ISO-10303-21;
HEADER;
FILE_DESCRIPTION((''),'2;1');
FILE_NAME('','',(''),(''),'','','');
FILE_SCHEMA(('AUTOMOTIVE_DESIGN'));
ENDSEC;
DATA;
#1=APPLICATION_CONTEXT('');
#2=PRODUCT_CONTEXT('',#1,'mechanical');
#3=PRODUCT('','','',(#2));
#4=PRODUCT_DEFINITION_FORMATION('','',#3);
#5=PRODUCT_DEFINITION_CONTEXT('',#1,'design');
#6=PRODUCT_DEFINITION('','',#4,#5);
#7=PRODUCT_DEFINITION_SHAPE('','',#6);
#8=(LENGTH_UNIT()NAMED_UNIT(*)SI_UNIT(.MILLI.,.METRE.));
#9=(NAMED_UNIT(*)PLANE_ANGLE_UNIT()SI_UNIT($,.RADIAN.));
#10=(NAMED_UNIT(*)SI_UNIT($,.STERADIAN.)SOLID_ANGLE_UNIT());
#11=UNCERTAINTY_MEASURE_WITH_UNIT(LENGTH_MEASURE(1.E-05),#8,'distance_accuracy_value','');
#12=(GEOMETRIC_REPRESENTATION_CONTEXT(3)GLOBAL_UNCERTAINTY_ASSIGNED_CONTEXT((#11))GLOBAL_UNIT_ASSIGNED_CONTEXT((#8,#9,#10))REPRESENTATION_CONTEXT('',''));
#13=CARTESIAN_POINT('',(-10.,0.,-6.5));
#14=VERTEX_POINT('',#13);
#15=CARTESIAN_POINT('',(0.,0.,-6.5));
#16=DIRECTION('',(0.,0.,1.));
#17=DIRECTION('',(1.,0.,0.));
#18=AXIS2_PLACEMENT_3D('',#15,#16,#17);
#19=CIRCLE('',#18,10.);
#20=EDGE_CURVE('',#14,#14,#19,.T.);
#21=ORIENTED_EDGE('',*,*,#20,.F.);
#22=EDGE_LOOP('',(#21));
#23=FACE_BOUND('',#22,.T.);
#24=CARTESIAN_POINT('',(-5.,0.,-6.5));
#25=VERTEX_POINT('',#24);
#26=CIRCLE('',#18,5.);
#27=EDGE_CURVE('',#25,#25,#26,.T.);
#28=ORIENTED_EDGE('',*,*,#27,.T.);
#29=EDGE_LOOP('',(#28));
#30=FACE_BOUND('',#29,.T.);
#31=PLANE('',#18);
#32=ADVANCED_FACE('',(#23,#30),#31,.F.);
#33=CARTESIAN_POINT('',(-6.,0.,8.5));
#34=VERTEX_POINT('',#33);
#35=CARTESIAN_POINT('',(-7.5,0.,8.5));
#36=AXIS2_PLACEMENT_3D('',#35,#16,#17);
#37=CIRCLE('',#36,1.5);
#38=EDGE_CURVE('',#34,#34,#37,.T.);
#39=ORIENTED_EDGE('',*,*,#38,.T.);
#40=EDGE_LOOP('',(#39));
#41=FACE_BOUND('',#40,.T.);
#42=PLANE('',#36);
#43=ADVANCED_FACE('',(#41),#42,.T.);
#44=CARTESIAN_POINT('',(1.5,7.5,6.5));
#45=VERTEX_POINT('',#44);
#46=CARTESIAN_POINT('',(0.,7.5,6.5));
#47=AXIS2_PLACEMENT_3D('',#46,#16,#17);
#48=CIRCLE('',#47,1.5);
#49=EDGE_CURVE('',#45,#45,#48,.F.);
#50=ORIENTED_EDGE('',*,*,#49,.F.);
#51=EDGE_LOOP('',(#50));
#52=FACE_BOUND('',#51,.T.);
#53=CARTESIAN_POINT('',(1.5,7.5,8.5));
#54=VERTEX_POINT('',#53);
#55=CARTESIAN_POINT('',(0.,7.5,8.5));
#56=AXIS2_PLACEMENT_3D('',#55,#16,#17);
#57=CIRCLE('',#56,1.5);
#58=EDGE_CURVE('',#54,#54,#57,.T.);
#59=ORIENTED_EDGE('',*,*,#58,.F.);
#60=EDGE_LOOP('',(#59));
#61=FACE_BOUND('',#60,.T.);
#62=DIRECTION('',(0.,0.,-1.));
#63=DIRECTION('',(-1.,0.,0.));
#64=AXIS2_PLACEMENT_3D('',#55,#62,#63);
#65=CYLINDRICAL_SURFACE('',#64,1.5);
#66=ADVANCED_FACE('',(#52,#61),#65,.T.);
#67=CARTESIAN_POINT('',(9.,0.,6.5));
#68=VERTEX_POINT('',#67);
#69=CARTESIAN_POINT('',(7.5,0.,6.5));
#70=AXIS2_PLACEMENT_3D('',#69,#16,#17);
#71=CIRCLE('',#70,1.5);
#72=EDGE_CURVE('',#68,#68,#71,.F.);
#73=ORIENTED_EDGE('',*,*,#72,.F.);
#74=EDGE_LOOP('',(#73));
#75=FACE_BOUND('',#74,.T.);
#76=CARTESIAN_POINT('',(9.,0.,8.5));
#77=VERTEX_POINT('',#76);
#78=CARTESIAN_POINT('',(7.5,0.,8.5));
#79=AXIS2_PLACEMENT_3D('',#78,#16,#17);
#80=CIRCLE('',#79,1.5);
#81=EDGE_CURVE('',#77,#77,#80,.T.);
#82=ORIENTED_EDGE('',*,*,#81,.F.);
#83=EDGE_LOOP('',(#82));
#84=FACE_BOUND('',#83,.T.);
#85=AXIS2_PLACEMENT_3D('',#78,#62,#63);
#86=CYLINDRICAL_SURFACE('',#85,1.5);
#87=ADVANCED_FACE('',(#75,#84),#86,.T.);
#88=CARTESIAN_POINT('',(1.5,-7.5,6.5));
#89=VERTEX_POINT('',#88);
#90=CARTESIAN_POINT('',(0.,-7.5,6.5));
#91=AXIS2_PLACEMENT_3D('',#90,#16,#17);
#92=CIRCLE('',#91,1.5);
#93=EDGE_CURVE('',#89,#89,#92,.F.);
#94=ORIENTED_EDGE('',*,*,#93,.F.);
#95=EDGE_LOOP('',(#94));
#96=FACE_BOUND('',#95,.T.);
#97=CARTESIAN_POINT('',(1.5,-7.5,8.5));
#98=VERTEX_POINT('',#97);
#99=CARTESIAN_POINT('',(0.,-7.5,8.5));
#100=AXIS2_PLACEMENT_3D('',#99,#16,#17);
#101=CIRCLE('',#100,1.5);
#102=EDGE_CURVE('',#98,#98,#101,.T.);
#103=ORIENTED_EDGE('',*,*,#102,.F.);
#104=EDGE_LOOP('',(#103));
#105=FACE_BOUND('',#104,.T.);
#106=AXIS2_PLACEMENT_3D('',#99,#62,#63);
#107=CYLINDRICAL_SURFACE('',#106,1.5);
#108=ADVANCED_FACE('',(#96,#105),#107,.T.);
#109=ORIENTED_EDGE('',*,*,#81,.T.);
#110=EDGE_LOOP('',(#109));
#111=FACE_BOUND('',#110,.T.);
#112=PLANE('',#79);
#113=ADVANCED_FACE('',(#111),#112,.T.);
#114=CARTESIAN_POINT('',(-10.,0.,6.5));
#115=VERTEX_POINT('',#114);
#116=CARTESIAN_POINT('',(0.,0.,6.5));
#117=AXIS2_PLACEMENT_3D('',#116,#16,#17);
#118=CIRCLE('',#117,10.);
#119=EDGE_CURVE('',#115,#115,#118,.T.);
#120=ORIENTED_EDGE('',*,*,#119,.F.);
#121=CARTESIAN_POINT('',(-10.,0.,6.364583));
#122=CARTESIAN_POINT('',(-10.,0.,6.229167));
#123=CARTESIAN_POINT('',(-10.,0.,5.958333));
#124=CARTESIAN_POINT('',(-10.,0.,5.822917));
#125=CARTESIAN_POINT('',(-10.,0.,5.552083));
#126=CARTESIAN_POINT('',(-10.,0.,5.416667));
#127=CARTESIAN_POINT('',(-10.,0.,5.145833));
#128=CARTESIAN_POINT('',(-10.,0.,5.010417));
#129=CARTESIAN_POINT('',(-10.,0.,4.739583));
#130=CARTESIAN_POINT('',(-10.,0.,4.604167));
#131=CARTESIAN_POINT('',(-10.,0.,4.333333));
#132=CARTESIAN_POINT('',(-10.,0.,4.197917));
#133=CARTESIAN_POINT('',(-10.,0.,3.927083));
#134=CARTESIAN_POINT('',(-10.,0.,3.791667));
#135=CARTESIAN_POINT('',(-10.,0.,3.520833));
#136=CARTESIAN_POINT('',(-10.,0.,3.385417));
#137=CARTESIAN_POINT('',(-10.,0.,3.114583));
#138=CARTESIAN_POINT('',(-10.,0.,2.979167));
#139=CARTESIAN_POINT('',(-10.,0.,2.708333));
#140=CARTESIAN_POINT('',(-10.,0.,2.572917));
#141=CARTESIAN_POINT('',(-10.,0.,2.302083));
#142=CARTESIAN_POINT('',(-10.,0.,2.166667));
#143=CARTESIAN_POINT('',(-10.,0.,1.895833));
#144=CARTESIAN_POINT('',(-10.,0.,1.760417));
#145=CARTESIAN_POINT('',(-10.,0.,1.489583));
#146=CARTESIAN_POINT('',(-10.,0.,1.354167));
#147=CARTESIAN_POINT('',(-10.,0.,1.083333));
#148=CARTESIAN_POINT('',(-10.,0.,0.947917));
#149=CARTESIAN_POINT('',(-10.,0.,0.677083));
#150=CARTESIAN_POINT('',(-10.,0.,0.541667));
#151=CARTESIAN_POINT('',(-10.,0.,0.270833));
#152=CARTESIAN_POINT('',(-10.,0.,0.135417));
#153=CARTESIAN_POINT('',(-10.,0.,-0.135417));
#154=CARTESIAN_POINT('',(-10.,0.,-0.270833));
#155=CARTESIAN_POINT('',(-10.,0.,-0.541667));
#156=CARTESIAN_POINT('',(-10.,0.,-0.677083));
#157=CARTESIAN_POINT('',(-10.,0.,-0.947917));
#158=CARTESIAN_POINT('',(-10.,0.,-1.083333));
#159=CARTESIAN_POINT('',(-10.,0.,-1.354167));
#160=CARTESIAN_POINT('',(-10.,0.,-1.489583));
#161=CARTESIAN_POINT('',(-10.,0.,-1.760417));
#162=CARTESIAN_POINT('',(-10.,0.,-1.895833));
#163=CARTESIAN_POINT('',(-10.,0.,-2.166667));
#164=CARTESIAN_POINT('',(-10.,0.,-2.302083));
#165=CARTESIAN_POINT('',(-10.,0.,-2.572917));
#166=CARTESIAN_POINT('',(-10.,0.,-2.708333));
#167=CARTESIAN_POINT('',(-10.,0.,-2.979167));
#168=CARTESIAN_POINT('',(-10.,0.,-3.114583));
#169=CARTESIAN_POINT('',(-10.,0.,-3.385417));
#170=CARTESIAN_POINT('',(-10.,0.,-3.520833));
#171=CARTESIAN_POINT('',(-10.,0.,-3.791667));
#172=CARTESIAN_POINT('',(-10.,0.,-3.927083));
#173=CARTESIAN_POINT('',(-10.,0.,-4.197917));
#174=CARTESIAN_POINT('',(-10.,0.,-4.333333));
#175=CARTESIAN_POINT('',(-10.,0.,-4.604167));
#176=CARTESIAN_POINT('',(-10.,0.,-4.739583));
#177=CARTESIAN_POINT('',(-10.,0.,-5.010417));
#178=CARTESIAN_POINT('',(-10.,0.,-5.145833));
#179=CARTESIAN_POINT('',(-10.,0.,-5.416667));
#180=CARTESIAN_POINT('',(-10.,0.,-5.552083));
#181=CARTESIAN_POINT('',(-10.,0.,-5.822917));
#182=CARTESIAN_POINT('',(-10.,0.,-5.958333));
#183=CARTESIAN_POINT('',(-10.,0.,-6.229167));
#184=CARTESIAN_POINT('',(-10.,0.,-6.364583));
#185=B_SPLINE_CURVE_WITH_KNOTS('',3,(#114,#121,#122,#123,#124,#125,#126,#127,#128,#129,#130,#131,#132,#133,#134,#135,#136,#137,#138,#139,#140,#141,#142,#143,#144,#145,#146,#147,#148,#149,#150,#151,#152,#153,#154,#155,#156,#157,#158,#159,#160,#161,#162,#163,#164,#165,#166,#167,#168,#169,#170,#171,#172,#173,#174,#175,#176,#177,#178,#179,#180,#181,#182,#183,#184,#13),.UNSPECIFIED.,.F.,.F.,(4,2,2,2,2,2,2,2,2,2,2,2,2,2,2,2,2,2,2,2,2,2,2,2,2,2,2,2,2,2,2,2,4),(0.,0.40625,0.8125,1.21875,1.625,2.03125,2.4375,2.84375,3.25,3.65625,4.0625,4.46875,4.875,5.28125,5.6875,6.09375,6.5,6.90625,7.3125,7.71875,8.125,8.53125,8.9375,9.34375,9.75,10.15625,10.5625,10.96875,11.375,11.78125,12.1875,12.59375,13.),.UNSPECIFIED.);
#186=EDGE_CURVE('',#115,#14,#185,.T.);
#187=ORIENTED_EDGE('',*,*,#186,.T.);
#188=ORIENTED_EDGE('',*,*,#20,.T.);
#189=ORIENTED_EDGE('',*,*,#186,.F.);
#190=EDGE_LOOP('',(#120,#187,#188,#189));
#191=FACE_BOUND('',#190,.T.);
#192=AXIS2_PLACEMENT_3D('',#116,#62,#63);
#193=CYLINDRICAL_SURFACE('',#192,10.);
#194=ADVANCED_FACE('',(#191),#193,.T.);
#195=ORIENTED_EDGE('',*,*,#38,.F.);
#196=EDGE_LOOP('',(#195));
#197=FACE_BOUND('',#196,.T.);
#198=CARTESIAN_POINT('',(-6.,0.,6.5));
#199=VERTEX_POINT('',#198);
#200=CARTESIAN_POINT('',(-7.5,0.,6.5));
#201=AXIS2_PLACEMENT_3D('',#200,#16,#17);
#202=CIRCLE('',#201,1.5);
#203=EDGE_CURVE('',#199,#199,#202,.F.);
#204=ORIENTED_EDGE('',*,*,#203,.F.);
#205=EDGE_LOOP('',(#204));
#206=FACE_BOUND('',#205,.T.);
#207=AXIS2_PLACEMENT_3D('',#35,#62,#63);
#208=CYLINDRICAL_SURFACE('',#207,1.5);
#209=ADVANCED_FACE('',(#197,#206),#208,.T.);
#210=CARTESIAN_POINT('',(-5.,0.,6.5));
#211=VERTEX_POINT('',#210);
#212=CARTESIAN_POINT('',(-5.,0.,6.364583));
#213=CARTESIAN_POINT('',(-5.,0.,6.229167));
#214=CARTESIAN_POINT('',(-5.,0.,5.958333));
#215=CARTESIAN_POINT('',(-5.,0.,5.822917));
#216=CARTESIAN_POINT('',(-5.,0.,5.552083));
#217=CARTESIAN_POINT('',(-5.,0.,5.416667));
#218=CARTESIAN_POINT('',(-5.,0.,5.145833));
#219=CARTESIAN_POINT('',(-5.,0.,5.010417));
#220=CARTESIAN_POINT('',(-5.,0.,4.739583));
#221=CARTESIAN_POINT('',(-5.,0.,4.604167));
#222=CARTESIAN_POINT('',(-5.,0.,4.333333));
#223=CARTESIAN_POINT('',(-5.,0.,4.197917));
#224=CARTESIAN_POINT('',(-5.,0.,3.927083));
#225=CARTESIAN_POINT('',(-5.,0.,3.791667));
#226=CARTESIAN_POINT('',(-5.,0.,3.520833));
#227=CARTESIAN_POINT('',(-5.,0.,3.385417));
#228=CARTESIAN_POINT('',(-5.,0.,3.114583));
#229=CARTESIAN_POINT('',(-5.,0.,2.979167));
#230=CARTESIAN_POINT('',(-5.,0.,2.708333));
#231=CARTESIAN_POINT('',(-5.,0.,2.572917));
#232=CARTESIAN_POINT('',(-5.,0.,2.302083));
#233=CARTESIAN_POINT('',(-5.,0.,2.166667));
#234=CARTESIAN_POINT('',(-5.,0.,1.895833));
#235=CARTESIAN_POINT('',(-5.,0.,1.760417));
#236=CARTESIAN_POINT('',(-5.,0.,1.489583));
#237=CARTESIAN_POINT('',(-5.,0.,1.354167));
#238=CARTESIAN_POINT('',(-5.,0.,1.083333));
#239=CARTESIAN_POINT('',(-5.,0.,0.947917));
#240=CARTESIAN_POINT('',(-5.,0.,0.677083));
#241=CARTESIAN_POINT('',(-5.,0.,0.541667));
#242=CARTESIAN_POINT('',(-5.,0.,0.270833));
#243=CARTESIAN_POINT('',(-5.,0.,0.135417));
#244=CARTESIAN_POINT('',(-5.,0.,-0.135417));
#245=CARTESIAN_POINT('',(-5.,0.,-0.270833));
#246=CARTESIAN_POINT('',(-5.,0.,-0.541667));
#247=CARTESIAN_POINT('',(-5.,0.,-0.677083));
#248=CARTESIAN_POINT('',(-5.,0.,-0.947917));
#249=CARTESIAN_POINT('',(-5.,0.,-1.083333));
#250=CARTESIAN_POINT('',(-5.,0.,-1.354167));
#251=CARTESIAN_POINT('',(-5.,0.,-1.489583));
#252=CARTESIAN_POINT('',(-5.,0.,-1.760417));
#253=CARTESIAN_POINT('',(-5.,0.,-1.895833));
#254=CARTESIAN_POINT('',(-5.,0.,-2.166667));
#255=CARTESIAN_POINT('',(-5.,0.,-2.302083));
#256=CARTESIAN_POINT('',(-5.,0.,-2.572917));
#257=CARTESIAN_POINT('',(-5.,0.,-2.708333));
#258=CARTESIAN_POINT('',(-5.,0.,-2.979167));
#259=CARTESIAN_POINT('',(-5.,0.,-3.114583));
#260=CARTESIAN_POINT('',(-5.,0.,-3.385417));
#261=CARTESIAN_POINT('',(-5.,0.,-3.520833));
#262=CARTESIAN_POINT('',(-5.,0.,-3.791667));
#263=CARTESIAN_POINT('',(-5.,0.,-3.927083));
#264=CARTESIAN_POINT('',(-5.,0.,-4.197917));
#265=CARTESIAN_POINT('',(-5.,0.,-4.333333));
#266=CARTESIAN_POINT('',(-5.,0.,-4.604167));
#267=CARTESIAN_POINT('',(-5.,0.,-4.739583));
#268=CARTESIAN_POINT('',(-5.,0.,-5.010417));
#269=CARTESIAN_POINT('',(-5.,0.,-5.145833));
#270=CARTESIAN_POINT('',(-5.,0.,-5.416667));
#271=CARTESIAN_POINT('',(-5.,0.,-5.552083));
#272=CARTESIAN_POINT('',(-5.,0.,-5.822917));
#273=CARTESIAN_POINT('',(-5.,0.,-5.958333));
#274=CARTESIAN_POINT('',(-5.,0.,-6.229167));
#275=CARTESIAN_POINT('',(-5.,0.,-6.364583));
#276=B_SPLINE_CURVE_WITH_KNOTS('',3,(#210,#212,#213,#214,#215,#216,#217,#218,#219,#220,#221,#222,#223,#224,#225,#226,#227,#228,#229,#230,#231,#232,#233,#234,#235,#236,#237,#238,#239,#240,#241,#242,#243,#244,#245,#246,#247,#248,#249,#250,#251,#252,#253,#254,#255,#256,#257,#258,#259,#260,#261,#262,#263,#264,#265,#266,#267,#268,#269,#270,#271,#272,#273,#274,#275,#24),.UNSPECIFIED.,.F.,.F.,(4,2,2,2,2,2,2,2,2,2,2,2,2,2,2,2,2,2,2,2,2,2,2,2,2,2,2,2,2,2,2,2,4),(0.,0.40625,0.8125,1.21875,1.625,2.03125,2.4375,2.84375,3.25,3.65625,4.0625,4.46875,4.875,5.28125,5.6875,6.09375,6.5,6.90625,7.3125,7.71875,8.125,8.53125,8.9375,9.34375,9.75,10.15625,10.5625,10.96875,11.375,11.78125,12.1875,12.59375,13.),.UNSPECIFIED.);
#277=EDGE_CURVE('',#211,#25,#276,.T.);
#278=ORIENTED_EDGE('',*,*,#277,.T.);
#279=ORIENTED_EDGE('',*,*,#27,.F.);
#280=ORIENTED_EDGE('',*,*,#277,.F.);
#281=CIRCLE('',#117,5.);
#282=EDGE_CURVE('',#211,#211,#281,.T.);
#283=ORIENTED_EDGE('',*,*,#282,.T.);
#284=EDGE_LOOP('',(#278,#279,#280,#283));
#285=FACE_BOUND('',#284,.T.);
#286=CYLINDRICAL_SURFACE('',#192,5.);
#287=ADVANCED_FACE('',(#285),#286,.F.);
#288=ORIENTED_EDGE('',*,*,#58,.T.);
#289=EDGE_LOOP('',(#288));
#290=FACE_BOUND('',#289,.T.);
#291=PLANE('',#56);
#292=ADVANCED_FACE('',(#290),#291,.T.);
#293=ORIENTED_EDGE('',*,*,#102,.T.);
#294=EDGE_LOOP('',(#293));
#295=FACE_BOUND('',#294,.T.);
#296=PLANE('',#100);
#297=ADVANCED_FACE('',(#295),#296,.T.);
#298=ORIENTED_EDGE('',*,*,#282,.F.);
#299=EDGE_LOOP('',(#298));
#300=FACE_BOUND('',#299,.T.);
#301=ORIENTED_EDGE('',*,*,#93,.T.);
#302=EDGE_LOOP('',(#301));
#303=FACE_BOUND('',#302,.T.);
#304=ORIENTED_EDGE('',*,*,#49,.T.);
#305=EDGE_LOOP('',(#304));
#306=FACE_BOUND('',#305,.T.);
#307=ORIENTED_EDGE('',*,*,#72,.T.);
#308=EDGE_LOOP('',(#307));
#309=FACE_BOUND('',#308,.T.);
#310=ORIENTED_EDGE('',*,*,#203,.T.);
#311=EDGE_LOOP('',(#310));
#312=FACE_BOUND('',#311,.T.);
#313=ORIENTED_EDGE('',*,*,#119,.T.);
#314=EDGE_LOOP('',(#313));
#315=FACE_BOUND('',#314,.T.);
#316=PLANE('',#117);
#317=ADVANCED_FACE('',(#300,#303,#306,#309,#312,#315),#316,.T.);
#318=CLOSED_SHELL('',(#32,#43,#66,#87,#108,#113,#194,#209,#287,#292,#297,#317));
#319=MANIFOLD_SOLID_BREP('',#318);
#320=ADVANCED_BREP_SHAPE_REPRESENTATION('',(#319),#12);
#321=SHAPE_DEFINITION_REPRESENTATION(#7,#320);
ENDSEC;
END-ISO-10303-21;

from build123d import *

# Parameters (mm, degrees)
SKETCH_1_R      = 10
SKETCH_1_R_2    = 5
EXTRUDE_1_DEPTH = 6.5
SKETCH_2_R      = 1.5
EXTRUDE_2_DEPTH = 2


with BuildPart() as part:
    # 草图1 → 凸台-拉伸1 (new, symmetric)
    with BuildSketch(Plane.XY):
        with Locations(Location((0, 0, 0), (0, 0, 180))):
            Circle(SKETCH_1_R)
        with Locations(Location((0, 0, 0), (0, 0, 180))):
            Circle(SKETCH_1_R_2, mode=Mode.SUBTRACT)
    extrude(amount=EXTRUDE_1_DEPTH, both=True)

    # 草图2 → 凸台-拉伸2 (add, symmetric)
    with BuildSketch(Plane.XY.offset(6.5)):
        with Locations((0, 7.5)):
            Circle(SKETCH_2_R)
        with Locations((7.5, 0)):
            Circle(SKETCH_2_R)
        with Locations((0, -7.5)):
            Circle(SKETCH_2_R)
        with Locations((-7.5, 0)):
            Circle(SKETCH_2_R)
    extrude(amount=EXTRUDE_2_DEPTH, both=True)


solid = part.part
